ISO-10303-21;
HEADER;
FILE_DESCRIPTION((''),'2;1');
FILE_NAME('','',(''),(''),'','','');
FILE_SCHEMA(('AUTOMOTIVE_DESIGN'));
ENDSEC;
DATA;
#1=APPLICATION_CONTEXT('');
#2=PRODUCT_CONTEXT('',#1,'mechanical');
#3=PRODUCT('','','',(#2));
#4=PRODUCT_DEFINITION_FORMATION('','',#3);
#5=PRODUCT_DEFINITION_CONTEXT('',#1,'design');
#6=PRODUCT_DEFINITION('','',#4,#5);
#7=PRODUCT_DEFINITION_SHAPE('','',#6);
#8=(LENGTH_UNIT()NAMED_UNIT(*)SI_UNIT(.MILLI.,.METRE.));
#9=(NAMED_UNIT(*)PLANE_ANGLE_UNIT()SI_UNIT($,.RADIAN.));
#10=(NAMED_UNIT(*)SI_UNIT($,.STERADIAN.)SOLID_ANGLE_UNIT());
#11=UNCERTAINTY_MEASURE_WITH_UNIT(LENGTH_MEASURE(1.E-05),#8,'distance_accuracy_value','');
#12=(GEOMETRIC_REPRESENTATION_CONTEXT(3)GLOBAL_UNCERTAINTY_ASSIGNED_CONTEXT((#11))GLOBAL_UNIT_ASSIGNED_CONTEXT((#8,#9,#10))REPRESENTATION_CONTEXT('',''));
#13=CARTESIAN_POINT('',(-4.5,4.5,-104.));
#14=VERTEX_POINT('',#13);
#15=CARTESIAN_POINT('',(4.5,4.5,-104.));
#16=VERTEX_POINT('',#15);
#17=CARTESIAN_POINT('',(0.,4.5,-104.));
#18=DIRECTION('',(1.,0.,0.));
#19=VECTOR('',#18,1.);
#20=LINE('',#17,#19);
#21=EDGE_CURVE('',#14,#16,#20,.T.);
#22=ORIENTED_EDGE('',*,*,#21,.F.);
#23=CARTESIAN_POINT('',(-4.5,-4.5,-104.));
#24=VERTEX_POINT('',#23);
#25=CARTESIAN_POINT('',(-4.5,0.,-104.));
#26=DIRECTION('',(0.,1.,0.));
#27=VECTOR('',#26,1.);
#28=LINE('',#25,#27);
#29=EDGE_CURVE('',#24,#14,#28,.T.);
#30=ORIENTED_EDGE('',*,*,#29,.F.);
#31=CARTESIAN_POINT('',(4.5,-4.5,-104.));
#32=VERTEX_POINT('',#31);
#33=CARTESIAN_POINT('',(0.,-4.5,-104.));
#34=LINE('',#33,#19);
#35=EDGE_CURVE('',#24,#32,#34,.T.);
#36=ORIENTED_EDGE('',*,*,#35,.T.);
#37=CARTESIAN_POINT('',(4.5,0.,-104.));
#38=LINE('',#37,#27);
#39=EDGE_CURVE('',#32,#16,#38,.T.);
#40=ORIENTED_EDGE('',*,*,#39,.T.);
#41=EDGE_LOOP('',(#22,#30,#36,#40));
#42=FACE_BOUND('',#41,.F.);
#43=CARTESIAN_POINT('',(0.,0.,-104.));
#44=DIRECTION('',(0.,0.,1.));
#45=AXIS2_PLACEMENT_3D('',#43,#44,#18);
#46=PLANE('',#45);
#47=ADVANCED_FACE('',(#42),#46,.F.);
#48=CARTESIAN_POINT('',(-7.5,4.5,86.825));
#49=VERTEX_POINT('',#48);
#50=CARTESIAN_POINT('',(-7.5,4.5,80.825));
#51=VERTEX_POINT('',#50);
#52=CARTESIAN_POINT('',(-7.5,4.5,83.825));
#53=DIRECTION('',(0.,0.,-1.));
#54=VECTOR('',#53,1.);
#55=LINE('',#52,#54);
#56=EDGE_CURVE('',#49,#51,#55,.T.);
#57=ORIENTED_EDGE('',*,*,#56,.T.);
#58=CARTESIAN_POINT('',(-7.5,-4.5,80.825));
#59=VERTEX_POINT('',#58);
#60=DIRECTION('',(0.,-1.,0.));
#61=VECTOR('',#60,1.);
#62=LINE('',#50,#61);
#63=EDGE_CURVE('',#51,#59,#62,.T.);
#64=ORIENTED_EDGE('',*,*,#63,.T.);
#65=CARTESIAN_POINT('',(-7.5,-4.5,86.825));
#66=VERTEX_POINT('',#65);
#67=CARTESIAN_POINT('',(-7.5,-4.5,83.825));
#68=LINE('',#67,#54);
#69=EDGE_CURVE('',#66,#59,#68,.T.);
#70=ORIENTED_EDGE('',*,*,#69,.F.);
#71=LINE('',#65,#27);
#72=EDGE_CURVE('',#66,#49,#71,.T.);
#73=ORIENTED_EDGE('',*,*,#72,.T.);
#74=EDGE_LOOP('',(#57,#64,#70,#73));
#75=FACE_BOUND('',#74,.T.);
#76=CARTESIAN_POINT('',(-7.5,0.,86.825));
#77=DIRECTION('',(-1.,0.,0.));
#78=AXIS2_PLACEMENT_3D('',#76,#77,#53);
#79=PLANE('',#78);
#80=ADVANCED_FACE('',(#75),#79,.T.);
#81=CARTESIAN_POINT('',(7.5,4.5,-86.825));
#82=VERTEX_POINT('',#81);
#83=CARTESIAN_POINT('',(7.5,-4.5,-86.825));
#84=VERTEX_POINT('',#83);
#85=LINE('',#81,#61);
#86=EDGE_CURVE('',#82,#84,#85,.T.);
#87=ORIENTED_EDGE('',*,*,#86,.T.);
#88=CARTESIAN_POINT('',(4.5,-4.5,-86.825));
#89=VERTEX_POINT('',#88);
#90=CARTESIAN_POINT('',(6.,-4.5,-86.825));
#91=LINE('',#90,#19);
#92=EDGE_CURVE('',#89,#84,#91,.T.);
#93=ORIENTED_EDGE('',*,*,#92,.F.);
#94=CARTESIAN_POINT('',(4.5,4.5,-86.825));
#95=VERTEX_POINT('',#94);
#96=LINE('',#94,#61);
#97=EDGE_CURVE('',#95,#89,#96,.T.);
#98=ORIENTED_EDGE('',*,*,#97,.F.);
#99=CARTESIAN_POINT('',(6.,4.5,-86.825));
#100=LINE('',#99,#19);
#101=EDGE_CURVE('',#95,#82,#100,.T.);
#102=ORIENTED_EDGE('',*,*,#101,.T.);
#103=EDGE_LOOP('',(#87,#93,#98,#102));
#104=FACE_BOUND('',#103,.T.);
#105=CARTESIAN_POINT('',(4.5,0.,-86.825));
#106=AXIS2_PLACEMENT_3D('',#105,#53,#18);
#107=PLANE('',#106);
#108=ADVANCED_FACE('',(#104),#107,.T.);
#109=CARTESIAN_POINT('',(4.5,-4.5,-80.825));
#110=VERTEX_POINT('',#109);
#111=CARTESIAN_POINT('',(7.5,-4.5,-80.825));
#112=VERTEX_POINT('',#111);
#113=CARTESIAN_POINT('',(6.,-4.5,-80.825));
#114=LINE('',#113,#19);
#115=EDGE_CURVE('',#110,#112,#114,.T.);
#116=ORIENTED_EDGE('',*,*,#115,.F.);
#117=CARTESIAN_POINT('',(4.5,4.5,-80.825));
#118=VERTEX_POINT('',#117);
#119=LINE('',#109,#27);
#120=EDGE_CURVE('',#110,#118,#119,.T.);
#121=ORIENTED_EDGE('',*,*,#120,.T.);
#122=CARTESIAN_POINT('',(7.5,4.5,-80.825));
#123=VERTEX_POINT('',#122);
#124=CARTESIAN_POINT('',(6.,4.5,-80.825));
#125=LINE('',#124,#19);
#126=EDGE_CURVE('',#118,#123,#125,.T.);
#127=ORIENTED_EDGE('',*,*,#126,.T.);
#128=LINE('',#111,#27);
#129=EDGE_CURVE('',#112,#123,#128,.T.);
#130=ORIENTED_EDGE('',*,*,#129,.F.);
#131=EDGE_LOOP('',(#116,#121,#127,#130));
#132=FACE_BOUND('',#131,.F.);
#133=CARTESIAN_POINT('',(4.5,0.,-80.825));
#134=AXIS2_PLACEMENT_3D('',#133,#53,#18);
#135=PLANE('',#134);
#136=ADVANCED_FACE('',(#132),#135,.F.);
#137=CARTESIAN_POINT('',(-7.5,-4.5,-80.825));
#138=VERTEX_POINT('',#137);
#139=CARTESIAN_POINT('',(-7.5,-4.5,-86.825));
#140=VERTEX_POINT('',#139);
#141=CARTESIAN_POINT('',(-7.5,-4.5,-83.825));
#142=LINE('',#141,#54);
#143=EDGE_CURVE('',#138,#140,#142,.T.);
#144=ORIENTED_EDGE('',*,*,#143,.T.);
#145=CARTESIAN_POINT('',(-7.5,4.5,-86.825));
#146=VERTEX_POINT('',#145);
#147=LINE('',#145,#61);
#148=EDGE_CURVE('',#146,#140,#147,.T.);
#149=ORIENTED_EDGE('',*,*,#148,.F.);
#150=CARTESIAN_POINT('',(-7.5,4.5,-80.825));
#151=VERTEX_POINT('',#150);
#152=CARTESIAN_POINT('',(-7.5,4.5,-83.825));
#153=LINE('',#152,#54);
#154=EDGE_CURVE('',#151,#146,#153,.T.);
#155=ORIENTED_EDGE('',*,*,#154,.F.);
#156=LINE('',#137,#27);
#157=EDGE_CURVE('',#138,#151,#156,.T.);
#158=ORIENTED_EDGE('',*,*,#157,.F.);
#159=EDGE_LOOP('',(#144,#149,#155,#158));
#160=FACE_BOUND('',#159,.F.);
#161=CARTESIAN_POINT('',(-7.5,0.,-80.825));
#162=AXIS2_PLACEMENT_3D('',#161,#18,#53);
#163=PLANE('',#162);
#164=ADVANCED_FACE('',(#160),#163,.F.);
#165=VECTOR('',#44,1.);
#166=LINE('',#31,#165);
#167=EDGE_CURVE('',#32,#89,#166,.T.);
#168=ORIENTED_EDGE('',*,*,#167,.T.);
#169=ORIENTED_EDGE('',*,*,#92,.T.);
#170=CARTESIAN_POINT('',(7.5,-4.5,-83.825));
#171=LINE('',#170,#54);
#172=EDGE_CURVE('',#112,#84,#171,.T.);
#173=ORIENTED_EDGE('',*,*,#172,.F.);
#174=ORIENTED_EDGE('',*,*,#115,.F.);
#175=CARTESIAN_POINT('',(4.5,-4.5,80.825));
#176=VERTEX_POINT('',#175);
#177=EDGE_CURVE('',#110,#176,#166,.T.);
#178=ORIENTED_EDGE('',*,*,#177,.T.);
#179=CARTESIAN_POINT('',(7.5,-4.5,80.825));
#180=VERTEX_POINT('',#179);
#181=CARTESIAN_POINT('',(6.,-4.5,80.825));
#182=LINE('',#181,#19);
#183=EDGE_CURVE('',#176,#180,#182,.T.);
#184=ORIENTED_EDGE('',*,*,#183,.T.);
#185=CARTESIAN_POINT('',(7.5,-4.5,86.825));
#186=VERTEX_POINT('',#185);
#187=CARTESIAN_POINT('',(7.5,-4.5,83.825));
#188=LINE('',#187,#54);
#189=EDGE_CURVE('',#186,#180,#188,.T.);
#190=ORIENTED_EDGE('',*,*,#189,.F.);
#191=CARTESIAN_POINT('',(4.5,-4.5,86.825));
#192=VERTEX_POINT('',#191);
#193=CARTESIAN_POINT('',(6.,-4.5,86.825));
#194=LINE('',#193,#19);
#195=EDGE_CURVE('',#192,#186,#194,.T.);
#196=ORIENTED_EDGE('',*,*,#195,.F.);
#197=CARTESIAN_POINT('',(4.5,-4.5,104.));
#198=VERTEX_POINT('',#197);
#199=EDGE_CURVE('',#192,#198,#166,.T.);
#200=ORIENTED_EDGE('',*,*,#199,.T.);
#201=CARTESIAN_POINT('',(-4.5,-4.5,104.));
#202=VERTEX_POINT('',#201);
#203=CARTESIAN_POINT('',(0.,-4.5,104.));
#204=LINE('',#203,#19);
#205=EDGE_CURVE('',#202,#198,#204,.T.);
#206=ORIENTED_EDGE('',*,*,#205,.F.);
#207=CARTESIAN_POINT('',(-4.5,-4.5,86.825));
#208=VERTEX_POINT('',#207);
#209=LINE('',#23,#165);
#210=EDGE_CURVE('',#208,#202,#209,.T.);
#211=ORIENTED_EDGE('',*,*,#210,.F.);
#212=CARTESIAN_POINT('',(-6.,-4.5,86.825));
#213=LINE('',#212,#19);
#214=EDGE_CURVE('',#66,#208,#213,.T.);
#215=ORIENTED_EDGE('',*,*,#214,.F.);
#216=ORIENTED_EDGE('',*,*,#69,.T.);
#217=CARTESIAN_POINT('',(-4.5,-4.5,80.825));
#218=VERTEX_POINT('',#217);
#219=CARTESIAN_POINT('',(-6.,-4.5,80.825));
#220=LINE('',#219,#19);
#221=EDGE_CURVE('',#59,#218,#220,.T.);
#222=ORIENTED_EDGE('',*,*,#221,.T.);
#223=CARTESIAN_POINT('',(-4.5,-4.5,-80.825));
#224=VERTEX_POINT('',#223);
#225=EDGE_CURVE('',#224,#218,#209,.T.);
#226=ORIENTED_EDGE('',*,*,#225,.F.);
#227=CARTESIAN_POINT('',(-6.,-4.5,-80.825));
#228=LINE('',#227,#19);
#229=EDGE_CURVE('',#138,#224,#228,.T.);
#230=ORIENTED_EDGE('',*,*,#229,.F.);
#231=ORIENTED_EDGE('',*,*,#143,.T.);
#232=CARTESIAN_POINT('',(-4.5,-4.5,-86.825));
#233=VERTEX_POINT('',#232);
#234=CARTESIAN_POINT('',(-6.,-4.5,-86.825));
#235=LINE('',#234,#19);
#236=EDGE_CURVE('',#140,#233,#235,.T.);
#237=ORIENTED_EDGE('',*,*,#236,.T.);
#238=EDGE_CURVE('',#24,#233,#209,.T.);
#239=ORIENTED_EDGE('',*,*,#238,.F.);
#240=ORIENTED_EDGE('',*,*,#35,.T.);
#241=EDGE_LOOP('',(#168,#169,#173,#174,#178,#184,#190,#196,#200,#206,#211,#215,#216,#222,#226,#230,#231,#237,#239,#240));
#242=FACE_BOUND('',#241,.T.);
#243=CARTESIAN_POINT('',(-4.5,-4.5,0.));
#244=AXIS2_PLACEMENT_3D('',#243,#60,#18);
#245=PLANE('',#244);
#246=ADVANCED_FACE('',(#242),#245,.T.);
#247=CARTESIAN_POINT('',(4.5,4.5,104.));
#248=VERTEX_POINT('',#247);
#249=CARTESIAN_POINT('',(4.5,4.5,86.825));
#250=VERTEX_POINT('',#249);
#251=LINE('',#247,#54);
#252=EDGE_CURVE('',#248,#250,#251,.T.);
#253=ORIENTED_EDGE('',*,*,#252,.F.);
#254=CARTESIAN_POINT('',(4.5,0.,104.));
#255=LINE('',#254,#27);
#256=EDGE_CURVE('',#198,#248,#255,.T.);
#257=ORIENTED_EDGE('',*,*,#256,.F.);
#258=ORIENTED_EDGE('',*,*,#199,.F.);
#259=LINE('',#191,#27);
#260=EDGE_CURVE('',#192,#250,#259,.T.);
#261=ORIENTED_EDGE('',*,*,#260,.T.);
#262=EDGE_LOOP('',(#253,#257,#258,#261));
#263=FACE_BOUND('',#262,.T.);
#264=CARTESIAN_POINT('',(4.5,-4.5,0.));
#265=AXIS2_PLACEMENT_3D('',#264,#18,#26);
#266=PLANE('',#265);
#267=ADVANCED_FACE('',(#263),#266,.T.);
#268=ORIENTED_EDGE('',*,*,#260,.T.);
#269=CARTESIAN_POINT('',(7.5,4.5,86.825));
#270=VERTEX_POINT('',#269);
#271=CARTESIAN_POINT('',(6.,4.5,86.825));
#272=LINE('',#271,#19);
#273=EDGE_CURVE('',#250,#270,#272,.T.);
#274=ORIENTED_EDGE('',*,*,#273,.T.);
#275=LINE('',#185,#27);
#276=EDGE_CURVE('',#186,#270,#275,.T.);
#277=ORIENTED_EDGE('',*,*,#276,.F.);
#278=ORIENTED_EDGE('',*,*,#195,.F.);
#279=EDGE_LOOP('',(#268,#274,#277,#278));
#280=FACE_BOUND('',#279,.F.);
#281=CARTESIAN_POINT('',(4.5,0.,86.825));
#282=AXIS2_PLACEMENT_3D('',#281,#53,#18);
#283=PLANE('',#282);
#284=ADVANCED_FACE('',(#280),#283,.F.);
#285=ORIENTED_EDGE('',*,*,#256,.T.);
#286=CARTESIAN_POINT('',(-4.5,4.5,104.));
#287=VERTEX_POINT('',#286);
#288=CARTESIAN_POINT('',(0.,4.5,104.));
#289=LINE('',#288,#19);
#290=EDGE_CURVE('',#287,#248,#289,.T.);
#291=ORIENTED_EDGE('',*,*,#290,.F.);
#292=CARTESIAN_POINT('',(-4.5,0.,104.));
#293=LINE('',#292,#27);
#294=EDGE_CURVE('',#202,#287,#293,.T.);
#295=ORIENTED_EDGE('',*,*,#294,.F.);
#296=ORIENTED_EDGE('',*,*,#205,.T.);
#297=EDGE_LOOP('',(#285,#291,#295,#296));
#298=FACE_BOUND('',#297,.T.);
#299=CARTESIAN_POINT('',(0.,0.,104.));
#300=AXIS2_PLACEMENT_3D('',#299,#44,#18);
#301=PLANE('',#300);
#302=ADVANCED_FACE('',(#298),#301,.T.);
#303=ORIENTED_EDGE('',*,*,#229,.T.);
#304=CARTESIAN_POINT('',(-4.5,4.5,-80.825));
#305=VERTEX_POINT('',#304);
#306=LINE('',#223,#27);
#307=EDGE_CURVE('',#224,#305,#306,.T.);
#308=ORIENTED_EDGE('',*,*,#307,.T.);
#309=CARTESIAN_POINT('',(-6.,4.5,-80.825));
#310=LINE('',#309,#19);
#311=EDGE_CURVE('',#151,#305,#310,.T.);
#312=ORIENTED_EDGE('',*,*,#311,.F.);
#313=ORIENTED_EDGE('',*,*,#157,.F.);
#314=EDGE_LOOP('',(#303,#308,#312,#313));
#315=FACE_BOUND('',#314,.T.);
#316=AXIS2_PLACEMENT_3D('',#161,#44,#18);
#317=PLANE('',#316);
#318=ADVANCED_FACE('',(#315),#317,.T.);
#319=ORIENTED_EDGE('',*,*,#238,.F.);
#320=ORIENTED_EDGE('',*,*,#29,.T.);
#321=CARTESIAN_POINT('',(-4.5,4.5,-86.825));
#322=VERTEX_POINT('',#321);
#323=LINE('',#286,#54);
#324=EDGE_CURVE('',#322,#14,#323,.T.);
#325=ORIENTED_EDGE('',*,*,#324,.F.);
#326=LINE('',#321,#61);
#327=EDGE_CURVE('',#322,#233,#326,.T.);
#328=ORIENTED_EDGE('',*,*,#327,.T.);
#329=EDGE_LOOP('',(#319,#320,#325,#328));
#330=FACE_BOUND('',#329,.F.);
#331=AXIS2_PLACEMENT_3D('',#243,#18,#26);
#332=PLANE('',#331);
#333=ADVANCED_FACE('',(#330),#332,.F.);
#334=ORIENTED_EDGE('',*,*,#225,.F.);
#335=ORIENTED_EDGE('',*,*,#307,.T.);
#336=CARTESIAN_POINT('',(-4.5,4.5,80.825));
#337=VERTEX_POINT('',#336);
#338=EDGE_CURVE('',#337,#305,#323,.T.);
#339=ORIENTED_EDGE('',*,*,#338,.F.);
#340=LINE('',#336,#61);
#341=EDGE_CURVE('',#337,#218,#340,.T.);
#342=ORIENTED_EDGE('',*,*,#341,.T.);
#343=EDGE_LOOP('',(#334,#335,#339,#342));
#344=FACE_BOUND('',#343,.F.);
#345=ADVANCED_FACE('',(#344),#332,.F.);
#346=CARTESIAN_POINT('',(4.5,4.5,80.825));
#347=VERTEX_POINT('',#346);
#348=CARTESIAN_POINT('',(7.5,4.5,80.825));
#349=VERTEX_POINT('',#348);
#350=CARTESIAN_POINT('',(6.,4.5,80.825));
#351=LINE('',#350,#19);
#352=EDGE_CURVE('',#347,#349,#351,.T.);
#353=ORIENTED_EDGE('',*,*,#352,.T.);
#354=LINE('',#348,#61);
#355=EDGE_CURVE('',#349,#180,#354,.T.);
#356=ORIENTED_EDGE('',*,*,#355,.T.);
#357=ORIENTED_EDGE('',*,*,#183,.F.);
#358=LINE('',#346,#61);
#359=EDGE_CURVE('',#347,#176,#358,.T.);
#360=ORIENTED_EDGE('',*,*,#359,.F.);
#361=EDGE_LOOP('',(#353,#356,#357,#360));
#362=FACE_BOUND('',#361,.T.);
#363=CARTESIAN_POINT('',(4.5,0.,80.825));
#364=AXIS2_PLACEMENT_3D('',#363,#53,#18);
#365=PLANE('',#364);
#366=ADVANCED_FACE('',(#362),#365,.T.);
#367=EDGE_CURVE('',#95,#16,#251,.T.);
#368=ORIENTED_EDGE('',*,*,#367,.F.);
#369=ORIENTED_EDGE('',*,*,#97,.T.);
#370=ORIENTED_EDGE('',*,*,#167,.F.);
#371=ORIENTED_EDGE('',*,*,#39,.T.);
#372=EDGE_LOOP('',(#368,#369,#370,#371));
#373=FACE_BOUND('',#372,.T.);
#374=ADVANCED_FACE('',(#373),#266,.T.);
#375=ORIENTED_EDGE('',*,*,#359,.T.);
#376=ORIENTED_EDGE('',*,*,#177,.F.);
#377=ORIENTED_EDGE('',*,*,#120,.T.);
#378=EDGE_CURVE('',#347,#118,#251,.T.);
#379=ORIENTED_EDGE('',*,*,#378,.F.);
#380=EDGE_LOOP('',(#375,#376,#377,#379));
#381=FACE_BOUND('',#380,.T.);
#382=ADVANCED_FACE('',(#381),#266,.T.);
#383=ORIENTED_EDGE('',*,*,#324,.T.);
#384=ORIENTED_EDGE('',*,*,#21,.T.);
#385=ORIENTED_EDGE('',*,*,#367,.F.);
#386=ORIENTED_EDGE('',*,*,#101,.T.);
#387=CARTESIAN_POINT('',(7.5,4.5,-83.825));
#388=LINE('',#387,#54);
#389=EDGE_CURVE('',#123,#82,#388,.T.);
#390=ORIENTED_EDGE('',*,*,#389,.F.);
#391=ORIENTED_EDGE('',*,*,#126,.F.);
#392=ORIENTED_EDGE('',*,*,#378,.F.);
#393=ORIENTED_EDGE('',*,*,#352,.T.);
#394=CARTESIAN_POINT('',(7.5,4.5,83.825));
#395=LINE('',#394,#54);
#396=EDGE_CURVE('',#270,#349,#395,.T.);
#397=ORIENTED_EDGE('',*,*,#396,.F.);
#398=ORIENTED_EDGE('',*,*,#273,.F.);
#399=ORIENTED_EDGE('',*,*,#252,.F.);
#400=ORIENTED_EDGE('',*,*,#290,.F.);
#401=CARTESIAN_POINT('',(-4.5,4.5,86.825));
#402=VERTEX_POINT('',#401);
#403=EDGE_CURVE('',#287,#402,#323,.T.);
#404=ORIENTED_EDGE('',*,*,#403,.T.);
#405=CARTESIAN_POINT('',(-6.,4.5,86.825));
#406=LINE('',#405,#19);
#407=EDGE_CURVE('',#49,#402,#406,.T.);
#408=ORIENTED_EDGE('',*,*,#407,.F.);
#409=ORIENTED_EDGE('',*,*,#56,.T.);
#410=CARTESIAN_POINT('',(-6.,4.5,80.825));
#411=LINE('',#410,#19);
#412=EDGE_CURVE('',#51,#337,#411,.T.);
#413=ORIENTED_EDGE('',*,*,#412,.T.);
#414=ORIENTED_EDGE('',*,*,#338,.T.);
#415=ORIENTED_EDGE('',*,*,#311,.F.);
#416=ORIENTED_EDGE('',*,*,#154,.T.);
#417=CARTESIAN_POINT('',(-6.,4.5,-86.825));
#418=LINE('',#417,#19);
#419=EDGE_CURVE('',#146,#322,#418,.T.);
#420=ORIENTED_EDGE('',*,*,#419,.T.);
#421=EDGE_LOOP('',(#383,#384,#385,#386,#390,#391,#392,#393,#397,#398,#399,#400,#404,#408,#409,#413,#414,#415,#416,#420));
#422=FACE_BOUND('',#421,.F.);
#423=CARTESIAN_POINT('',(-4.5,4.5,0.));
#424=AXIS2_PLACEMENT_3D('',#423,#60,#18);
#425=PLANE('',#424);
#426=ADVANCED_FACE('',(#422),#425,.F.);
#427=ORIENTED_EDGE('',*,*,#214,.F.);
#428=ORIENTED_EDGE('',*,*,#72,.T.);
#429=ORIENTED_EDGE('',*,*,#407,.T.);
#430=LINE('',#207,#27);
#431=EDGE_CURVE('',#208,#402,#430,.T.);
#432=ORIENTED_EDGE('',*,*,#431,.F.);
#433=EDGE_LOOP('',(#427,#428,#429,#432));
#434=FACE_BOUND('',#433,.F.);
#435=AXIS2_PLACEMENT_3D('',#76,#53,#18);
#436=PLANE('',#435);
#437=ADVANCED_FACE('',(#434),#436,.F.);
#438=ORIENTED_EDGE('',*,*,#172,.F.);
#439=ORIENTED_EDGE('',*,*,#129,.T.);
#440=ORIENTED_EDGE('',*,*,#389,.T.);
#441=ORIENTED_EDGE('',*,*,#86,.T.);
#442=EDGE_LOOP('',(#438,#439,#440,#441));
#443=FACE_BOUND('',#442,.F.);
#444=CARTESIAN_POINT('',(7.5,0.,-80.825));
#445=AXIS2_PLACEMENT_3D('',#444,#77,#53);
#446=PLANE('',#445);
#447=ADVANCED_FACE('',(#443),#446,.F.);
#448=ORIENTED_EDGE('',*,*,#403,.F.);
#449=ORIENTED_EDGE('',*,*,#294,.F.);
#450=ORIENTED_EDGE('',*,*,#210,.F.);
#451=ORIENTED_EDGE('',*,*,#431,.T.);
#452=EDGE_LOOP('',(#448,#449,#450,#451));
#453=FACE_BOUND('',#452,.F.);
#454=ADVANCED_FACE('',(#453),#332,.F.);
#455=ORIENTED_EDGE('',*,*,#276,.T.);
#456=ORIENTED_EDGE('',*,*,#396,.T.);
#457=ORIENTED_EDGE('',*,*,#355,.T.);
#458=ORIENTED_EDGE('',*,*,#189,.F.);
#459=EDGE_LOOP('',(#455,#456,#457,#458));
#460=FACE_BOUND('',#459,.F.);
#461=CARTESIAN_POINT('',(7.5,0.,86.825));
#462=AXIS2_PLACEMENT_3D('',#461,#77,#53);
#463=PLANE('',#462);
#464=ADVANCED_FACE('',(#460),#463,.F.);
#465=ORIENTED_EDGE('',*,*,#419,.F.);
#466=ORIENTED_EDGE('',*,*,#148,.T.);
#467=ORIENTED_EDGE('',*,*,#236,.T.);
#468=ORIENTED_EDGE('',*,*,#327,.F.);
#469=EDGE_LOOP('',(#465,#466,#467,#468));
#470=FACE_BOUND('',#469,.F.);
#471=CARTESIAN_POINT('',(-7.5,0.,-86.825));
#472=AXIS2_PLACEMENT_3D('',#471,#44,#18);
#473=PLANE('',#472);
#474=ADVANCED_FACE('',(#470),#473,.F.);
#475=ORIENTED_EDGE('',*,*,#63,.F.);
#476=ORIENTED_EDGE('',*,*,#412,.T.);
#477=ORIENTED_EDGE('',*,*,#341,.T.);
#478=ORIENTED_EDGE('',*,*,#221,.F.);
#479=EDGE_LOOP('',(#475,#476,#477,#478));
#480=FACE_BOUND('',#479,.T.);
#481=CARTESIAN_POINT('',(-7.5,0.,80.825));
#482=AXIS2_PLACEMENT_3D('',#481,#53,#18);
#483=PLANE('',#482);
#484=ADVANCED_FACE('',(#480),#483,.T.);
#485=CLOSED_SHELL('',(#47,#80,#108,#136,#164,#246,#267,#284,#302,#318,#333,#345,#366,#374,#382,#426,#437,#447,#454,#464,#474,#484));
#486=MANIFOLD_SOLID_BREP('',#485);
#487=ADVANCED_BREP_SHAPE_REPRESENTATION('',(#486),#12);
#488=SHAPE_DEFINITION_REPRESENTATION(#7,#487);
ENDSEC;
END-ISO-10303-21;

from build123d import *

# Parameters (mm, degrees)
SKETCH1_W           = 9
SKETCH1_H           = 9
BOSS_EXTRUDE1_DEPTH = 104
SKETCH2_W           = 3
SKETCH2_H           = 6
BOSS_EXTRUDE2_DEPTH = 4.5


with BuildPart() as part:
    # Sketch1 → Boss-Extrude1 (new body, symmetric)
    with BuildSketch(Plane.XY):
        Rectangle(SKETCH1_W, SKETCH1_H)
    extrude(amount=BOSS_EXTRUDE1_DEPTH, both=True)

    # Sketch2 → Boss-Extrude2 (add, symmetric)
    with BuildSketch(Plane(origin=(0, 0, 0), x_dir=(1, 0, 0), z_dir=(0, 1, 0))):
        with Locations((-6, -83.825)):
            Rectangle(SKETCH2_W, SKETCH2_H)
        with Locations((6, -83.825)):
            Rectangle(SKETCH2_W, SKETCH2_H)
        with Locations((6, 83.825)):
            Rectangle(SKETCH2_W, SKETCH2_H)
        with Locations((-6, 83.825)):
            Rectangle(SKETCH2_W, SKETCH2_H)
    extrude(amount=BOSS_EXTRUDE2_DEPTH, both=True)


solid = part.part
